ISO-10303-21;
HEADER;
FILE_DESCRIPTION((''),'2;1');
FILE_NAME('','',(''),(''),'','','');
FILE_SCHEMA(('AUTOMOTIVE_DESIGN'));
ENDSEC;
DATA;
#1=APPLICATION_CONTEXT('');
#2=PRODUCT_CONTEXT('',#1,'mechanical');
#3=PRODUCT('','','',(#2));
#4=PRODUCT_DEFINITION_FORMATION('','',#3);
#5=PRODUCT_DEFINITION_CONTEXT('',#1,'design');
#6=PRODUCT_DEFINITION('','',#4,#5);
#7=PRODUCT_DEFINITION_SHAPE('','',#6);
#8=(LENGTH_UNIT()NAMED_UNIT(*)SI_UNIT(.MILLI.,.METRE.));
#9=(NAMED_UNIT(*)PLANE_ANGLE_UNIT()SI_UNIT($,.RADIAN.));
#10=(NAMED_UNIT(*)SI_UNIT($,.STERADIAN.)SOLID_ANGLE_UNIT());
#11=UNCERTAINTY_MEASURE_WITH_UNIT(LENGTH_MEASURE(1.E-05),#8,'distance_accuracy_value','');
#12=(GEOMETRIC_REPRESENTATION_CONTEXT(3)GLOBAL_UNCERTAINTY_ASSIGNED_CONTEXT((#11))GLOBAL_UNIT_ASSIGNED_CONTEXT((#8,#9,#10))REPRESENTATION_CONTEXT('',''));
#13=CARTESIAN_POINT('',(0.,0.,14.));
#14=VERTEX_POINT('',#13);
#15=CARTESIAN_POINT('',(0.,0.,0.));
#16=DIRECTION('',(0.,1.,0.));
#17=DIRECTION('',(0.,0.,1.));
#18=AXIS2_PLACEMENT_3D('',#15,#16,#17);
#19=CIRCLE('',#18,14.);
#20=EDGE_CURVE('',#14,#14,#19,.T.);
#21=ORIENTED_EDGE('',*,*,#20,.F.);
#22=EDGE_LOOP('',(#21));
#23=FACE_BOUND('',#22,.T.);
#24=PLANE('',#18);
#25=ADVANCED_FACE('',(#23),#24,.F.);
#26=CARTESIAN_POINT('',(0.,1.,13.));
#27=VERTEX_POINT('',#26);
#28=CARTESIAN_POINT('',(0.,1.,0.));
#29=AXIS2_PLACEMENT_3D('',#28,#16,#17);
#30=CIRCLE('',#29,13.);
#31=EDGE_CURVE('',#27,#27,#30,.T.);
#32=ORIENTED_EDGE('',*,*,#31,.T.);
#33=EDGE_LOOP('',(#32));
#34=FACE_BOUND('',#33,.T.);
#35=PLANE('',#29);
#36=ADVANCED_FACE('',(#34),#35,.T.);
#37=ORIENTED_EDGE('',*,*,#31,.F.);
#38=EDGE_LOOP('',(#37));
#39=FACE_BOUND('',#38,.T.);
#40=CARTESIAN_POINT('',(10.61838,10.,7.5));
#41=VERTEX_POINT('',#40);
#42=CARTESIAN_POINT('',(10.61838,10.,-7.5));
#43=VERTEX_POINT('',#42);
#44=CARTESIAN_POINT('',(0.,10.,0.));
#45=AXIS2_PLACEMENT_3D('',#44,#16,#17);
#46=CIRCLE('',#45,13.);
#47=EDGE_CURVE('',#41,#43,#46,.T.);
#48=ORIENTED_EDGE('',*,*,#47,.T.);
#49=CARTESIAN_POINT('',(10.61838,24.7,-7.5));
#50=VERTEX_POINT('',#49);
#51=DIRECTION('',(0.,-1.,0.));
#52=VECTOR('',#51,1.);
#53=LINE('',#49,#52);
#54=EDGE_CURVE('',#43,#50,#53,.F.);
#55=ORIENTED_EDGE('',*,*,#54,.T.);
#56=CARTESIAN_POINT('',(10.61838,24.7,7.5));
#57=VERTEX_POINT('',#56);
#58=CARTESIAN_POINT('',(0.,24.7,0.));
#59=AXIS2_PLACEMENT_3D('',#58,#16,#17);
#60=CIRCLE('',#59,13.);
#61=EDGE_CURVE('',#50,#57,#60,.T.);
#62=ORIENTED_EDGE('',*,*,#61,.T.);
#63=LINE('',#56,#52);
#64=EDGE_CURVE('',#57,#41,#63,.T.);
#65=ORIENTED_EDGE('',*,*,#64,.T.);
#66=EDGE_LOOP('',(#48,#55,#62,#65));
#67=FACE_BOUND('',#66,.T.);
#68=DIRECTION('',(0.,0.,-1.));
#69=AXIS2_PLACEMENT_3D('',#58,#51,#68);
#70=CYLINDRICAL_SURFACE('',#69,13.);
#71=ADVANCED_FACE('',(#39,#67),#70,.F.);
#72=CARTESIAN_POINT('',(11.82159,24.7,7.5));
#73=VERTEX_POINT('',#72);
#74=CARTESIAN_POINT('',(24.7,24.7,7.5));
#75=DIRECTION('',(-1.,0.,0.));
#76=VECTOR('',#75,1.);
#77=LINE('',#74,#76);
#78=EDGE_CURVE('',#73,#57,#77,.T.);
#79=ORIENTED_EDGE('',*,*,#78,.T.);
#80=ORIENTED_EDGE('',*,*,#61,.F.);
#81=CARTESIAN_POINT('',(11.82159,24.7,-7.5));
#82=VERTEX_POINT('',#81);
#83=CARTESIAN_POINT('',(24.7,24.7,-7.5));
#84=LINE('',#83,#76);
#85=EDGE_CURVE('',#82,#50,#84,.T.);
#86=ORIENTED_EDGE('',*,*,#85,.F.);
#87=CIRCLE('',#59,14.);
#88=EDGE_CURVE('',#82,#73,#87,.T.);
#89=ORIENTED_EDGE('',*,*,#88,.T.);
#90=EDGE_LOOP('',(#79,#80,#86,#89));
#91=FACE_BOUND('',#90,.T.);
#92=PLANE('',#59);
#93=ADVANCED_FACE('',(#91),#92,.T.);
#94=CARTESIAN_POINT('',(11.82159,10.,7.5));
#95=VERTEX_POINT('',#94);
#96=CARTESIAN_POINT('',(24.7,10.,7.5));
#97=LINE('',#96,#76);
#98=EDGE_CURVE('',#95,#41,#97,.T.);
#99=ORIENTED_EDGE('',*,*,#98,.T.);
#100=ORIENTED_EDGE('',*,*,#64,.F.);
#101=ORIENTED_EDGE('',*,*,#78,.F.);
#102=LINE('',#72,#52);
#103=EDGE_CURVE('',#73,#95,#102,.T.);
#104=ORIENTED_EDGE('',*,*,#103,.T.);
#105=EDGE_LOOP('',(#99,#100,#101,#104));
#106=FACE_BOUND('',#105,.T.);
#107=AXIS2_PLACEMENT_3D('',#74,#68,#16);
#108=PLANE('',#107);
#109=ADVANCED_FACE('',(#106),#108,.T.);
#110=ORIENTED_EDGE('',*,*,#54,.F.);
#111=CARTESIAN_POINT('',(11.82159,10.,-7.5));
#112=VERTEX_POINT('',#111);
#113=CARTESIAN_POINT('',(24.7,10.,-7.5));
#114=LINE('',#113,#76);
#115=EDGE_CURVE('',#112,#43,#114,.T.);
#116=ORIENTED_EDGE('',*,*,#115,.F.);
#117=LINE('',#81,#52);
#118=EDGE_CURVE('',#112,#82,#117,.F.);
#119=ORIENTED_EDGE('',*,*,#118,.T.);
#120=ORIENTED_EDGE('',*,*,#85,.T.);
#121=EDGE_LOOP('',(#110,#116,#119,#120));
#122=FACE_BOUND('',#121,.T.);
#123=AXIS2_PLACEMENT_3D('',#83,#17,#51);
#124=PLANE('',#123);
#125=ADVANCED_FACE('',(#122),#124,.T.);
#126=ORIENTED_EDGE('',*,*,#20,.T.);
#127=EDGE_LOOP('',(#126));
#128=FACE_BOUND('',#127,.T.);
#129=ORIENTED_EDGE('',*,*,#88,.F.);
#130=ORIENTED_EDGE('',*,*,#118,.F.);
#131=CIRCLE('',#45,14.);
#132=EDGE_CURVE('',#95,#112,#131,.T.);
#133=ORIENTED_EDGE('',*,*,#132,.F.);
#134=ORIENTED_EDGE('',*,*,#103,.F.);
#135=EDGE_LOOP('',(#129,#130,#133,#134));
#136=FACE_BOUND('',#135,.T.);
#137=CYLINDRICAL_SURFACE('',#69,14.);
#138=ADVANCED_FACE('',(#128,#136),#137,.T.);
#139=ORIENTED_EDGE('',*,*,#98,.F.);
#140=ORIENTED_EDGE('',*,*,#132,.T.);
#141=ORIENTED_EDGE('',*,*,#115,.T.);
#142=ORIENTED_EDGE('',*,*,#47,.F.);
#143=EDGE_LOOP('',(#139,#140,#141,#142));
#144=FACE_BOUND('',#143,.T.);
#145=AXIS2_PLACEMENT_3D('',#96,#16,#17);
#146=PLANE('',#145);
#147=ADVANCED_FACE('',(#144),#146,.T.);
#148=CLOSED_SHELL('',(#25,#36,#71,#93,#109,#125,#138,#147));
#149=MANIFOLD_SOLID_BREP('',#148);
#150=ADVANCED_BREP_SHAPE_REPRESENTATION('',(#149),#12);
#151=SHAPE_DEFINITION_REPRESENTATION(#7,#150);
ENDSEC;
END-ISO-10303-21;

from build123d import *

# Parameters (mm, degrees)
SKETCH1_R           = 14
BOSS_EXTRUDE1_DEPTH = 24.7
SHELL1_T            = -1
SKETCH2_W           = 15
SKETCH2_H           = 14.7
CUT_EXTRUDE1_DEPTH  = 24.7


with BuildPart() as part:
    # Sketch1 → Boss-Extrude1 (new body)
    with BuildSketch(Plane(origin=(0, 0, 0), x_dir=(1, 0, 0), z_dir=(0, 1, 0))):
        with Locations(Location((0, 0, 0), (0, 0, 270))):
            Circle(SKETCH1_R)
    extrude(amount=BOSS_EXTRUDE1_DEPTH)

    # Shell1
    shell1_openings = [part.faces().sort_by_distance(p)[0] for p in [
        (0, 24.7, 0),
    ]]
    offset(amount=SHELL1_T, openings=shell1_openings, kind=Kind.INTERSECTION)

    # Sketch2 → Cut-Extrude1 (cut)
    with BuildSketch(Plane(origin=(0, 0, 0), x_dir=(0, 0, -1), z_dir=(1, 0, 0))):
        with Locations((0, 17.35)):
            Rectangle(SKETCH2_W, SKETCH2_H)
    extrude(amount=CUT_EXTRUDE1_DEPTH, mode=Mode.SUBTRACT)


solid = part.part
